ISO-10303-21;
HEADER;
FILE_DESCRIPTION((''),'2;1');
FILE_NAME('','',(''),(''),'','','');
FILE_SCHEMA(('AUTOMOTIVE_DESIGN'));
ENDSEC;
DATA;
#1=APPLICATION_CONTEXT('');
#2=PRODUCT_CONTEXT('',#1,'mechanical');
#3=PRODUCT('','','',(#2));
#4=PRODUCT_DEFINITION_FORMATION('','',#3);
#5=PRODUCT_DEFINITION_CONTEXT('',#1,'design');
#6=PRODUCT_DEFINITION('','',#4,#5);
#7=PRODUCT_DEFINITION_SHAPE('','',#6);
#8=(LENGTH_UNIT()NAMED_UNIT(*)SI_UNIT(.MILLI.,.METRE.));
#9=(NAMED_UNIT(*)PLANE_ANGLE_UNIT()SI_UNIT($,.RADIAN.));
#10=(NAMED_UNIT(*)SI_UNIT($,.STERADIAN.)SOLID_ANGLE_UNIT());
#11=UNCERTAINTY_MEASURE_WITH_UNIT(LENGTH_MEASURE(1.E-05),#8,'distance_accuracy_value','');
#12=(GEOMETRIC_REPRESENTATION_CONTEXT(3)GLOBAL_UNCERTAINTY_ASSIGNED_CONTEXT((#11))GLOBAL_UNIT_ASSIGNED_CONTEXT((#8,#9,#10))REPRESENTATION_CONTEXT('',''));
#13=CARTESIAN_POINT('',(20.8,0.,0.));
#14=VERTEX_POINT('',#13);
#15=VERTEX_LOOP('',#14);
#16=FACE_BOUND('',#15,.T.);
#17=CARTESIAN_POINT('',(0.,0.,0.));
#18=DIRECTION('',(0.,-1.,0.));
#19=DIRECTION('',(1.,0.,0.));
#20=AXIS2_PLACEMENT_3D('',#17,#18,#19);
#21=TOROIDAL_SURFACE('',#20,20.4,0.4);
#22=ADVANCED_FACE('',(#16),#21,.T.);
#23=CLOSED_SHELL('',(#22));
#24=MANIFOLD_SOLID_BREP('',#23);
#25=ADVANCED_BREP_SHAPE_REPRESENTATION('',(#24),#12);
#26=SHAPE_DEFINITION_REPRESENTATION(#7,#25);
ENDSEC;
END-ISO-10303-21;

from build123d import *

# Parameters (mm, degrees)
SKETCH2_R = 0.4


with BuildPart() as part:
    # Sketch2 → Revolve1 (revolve)
    with BuildSketch(Plane.XY, mode=Mode.PRIVATE) as revolve1_sk:
        with Locations((-20.4, 0)):
            Circle(SKETCH2_R)
    revolve(revolve1_sk.sketch.rotate(Axis((0, -1.706603442, 0), (0, 1, 0)), 180), axis=Axis((0, -1.706603442, 0), (0, 1, 0)))


solid = part.part
